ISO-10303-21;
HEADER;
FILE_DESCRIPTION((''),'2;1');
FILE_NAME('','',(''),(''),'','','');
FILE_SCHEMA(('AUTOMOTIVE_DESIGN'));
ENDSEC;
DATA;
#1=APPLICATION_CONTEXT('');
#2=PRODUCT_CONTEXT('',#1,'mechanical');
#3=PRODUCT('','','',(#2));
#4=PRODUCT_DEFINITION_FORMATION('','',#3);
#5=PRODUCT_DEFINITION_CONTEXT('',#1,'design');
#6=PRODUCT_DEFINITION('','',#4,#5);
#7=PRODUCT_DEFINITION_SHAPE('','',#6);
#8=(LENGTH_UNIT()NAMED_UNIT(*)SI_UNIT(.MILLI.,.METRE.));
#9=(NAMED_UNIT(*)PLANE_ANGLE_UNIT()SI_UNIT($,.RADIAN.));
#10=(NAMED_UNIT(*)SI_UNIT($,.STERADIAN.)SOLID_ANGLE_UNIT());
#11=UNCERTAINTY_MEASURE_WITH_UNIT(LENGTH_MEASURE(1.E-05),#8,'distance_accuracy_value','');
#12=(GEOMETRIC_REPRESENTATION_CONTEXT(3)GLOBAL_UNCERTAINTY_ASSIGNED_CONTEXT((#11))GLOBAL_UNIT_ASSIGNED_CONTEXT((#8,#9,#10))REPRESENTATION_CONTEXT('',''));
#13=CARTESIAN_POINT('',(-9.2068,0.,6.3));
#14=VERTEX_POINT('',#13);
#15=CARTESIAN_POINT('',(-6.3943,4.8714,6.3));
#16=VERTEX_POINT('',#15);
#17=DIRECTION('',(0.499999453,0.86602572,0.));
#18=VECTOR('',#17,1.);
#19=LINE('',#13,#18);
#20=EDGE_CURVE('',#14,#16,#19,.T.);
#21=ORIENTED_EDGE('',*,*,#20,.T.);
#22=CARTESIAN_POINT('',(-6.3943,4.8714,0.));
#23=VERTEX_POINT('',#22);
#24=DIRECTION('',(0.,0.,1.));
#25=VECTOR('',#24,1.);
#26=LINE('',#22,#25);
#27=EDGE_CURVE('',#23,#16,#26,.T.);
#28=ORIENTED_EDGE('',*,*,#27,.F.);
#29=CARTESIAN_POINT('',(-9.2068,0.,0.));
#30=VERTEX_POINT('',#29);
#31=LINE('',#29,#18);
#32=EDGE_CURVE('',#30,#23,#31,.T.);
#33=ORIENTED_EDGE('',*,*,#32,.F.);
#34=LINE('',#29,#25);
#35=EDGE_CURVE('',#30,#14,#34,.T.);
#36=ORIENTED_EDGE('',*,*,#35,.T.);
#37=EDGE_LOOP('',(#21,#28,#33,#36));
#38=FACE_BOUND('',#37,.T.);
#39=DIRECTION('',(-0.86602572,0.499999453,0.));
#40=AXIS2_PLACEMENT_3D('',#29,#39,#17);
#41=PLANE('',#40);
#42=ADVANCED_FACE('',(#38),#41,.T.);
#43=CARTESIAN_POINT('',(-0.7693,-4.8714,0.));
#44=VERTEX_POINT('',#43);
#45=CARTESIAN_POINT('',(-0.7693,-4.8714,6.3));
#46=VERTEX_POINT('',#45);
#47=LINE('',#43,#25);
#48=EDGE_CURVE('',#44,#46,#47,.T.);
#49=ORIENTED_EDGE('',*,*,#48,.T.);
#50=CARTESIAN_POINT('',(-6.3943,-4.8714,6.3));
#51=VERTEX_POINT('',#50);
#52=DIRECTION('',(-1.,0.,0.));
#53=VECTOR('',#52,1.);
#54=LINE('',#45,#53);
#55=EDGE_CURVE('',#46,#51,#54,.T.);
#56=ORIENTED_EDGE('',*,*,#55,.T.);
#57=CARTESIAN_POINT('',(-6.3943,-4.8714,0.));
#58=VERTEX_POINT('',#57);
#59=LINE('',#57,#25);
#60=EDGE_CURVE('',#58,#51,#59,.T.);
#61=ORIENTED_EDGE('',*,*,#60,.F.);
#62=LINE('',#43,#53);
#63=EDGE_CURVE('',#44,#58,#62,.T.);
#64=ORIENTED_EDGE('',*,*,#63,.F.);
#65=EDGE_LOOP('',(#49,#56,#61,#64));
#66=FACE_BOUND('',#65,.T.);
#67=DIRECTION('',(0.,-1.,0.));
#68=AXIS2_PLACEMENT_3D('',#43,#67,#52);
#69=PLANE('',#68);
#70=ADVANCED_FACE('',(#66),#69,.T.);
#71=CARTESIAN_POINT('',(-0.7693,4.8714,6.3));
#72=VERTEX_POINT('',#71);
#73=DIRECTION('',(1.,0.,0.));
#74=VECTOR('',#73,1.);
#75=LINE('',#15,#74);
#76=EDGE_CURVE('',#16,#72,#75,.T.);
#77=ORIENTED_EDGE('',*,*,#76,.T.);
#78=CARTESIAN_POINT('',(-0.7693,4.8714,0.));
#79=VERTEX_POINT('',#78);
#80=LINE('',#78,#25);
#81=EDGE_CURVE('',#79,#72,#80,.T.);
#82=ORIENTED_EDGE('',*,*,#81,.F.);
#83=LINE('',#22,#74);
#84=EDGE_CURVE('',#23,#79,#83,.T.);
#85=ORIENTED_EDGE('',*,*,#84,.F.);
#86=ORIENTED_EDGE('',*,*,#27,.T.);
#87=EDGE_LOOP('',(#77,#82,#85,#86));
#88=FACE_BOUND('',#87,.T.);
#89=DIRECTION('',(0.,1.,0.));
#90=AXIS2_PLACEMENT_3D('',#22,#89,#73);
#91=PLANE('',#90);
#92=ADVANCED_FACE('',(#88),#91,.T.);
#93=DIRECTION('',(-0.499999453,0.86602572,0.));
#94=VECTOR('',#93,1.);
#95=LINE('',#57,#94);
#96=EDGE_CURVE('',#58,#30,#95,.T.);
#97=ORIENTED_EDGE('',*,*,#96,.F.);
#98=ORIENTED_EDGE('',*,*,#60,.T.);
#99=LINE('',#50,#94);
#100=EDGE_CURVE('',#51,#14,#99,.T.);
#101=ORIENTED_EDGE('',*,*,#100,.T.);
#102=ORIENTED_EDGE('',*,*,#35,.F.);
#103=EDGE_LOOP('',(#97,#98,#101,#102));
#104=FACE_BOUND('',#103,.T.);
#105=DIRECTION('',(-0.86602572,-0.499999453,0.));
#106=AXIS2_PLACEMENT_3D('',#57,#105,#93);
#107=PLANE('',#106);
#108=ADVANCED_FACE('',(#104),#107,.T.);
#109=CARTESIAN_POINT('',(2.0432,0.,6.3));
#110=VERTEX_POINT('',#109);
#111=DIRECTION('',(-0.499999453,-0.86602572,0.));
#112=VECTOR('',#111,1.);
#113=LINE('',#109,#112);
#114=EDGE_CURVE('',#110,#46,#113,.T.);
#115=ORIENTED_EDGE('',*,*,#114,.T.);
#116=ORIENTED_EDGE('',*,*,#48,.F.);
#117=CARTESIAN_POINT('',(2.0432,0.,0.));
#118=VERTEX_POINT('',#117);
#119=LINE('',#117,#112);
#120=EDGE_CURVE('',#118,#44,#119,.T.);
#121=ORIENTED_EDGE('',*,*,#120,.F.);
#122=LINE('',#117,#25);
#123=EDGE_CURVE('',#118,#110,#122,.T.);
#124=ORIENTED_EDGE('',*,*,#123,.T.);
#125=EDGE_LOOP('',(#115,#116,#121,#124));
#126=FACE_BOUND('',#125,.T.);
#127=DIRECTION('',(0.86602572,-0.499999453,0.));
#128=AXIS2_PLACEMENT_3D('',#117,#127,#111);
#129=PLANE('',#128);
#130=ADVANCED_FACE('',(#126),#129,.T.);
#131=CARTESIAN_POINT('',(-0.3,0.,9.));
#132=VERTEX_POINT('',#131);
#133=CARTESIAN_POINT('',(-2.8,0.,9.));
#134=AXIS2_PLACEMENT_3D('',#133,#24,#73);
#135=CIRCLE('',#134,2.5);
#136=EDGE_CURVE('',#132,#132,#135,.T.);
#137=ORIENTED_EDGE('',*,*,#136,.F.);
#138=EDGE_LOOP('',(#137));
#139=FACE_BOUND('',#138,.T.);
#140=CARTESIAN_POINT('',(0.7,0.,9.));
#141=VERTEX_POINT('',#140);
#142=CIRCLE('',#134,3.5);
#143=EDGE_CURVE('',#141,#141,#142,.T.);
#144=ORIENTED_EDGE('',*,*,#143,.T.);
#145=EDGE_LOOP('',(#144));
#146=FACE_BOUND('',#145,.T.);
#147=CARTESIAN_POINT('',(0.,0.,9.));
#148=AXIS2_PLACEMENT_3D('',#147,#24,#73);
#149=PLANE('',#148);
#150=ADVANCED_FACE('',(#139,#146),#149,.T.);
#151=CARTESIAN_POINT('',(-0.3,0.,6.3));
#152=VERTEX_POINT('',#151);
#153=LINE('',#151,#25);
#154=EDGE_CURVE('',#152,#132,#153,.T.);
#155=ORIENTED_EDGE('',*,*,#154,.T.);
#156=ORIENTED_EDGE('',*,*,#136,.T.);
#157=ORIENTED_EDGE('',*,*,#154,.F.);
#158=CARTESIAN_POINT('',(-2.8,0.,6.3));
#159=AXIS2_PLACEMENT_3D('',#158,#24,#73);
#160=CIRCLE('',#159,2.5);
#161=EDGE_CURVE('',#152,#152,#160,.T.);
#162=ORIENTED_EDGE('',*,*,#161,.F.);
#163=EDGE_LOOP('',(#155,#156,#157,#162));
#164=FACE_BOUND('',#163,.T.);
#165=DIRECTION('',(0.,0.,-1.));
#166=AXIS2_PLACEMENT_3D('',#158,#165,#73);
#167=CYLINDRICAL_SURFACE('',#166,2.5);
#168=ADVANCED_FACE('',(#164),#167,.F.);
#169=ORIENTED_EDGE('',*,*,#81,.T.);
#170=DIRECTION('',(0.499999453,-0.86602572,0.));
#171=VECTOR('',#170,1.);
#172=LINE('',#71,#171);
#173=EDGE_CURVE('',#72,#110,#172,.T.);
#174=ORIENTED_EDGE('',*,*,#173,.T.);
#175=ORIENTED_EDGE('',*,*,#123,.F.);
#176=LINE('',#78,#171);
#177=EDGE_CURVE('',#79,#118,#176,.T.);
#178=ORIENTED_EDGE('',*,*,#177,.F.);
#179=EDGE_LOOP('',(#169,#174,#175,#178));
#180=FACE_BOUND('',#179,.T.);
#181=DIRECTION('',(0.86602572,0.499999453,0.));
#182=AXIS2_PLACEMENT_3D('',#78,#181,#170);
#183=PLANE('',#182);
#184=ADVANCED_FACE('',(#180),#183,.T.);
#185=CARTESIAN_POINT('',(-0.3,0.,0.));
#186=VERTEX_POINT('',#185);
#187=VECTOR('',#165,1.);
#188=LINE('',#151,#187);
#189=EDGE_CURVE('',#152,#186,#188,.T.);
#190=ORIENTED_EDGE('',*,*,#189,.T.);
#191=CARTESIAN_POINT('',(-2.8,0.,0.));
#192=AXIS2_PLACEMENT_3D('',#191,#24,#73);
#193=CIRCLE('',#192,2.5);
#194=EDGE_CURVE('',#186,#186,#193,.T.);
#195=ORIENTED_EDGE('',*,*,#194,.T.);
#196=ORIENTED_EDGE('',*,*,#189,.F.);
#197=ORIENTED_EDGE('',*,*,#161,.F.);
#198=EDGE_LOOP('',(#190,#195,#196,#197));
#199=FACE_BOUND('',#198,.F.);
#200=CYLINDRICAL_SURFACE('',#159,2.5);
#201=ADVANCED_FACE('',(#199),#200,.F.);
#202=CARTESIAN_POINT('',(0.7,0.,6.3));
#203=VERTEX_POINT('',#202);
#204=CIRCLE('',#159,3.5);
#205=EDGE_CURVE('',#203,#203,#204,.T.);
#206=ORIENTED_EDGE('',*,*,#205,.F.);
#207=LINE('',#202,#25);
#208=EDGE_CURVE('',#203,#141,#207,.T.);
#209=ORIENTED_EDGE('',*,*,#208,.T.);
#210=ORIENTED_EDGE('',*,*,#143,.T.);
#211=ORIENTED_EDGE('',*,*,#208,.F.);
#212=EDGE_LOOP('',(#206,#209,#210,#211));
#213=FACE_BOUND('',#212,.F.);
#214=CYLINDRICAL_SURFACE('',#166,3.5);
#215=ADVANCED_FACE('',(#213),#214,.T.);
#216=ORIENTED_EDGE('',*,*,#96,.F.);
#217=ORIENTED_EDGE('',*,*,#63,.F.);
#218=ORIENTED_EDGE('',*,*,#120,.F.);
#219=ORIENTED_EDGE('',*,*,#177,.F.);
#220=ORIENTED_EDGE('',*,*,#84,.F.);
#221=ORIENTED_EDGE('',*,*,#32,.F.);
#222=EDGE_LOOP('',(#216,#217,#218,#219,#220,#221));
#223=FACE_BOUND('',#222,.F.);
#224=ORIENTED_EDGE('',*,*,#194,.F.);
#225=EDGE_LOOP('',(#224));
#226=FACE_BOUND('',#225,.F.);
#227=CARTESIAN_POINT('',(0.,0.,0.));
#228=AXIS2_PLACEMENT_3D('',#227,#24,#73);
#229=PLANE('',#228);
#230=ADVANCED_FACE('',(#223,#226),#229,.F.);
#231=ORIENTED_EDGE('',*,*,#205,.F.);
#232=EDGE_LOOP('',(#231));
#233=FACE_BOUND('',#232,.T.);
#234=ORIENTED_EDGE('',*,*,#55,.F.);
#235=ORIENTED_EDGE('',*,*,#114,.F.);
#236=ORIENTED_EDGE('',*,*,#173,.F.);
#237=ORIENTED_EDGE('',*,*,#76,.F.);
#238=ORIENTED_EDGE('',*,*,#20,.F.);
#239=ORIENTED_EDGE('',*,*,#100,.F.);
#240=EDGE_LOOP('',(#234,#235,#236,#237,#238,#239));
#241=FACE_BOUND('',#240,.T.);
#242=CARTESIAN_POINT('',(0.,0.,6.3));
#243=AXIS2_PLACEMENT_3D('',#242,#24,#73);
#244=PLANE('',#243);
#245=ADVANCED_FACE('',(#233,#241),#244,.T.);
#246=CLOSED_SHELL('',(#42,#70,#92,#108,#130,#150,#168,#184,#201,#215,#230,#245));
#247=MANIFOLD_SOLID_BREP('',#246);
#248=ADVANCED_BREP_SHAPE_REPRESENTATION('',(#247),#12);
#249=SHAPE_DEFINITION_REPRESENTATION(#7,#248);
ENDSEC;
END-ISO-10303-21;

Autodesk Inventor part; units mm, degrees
ref_plane "YZ Plane" through (0, 0, 0) normal (1, 0, 0) x (0, 1, 0)
ref_plane "XZ Plane" through (0, 0, 0) normal (0, 1, 0) x (-1, 0, 0)
ref_plane "XY Plane" through (0, 0, 0) normal (0, 0, 1) x (1, 0, 0)
sketch "Sketch1" plane through (0, 0, 0) normal (0, 0, 1) x (1, 0, 0)
  line L0 (-3.5818, 0) -> (-9.2068, 0)
  line L1 (-9.2068, 0) -> (-6.3943, 4.8714)
  line L2 (-6.3943, 4.8714) -> (-0.7693, 4.8714)
  line L3 (-0.7693, 4.8714) -> (2.0432, 0)
  line L4 (2.0432, 0) -> (-0.7693, -4.8714)
  line L5 (-0.7693, -4.8714) -> (-6.3943, -4.8714)
  line L6 (-6.3943, -4.8714) -> (-9.2068, 0)
  point P0 (-0.7818, 0)
  dimension "d0" = 5.625
extrude "Extrusion1" add sketch "Sketch1" along normal blind 6.3
sketch "Sketch2" plane through (0, 0, 6.3) normal (0, 0, 1) x (1, 0, 0)
  circle A0 centre (-2.8, 0) radius 2.5 projected
  circle A1 centre (-2.8, 0) radius 3.5
  point P0 (0, 0)
  dimension "d3" = 7
extrude "Extrusion2" add sketch "Sketch2" along normal blind 2.7
sketch "Sketch3" plane through (-2.8, 0, 6.3) normal (0, 0, 1) x (1, 0, 0)
  circle A0 centre (0, 0) radius 2.5 projected
  point P0 (2.8, 0)
extrude "Extrusion3" cut sketch "Sketch3" against normal through all
properties part number "Eccentric Spacer"
